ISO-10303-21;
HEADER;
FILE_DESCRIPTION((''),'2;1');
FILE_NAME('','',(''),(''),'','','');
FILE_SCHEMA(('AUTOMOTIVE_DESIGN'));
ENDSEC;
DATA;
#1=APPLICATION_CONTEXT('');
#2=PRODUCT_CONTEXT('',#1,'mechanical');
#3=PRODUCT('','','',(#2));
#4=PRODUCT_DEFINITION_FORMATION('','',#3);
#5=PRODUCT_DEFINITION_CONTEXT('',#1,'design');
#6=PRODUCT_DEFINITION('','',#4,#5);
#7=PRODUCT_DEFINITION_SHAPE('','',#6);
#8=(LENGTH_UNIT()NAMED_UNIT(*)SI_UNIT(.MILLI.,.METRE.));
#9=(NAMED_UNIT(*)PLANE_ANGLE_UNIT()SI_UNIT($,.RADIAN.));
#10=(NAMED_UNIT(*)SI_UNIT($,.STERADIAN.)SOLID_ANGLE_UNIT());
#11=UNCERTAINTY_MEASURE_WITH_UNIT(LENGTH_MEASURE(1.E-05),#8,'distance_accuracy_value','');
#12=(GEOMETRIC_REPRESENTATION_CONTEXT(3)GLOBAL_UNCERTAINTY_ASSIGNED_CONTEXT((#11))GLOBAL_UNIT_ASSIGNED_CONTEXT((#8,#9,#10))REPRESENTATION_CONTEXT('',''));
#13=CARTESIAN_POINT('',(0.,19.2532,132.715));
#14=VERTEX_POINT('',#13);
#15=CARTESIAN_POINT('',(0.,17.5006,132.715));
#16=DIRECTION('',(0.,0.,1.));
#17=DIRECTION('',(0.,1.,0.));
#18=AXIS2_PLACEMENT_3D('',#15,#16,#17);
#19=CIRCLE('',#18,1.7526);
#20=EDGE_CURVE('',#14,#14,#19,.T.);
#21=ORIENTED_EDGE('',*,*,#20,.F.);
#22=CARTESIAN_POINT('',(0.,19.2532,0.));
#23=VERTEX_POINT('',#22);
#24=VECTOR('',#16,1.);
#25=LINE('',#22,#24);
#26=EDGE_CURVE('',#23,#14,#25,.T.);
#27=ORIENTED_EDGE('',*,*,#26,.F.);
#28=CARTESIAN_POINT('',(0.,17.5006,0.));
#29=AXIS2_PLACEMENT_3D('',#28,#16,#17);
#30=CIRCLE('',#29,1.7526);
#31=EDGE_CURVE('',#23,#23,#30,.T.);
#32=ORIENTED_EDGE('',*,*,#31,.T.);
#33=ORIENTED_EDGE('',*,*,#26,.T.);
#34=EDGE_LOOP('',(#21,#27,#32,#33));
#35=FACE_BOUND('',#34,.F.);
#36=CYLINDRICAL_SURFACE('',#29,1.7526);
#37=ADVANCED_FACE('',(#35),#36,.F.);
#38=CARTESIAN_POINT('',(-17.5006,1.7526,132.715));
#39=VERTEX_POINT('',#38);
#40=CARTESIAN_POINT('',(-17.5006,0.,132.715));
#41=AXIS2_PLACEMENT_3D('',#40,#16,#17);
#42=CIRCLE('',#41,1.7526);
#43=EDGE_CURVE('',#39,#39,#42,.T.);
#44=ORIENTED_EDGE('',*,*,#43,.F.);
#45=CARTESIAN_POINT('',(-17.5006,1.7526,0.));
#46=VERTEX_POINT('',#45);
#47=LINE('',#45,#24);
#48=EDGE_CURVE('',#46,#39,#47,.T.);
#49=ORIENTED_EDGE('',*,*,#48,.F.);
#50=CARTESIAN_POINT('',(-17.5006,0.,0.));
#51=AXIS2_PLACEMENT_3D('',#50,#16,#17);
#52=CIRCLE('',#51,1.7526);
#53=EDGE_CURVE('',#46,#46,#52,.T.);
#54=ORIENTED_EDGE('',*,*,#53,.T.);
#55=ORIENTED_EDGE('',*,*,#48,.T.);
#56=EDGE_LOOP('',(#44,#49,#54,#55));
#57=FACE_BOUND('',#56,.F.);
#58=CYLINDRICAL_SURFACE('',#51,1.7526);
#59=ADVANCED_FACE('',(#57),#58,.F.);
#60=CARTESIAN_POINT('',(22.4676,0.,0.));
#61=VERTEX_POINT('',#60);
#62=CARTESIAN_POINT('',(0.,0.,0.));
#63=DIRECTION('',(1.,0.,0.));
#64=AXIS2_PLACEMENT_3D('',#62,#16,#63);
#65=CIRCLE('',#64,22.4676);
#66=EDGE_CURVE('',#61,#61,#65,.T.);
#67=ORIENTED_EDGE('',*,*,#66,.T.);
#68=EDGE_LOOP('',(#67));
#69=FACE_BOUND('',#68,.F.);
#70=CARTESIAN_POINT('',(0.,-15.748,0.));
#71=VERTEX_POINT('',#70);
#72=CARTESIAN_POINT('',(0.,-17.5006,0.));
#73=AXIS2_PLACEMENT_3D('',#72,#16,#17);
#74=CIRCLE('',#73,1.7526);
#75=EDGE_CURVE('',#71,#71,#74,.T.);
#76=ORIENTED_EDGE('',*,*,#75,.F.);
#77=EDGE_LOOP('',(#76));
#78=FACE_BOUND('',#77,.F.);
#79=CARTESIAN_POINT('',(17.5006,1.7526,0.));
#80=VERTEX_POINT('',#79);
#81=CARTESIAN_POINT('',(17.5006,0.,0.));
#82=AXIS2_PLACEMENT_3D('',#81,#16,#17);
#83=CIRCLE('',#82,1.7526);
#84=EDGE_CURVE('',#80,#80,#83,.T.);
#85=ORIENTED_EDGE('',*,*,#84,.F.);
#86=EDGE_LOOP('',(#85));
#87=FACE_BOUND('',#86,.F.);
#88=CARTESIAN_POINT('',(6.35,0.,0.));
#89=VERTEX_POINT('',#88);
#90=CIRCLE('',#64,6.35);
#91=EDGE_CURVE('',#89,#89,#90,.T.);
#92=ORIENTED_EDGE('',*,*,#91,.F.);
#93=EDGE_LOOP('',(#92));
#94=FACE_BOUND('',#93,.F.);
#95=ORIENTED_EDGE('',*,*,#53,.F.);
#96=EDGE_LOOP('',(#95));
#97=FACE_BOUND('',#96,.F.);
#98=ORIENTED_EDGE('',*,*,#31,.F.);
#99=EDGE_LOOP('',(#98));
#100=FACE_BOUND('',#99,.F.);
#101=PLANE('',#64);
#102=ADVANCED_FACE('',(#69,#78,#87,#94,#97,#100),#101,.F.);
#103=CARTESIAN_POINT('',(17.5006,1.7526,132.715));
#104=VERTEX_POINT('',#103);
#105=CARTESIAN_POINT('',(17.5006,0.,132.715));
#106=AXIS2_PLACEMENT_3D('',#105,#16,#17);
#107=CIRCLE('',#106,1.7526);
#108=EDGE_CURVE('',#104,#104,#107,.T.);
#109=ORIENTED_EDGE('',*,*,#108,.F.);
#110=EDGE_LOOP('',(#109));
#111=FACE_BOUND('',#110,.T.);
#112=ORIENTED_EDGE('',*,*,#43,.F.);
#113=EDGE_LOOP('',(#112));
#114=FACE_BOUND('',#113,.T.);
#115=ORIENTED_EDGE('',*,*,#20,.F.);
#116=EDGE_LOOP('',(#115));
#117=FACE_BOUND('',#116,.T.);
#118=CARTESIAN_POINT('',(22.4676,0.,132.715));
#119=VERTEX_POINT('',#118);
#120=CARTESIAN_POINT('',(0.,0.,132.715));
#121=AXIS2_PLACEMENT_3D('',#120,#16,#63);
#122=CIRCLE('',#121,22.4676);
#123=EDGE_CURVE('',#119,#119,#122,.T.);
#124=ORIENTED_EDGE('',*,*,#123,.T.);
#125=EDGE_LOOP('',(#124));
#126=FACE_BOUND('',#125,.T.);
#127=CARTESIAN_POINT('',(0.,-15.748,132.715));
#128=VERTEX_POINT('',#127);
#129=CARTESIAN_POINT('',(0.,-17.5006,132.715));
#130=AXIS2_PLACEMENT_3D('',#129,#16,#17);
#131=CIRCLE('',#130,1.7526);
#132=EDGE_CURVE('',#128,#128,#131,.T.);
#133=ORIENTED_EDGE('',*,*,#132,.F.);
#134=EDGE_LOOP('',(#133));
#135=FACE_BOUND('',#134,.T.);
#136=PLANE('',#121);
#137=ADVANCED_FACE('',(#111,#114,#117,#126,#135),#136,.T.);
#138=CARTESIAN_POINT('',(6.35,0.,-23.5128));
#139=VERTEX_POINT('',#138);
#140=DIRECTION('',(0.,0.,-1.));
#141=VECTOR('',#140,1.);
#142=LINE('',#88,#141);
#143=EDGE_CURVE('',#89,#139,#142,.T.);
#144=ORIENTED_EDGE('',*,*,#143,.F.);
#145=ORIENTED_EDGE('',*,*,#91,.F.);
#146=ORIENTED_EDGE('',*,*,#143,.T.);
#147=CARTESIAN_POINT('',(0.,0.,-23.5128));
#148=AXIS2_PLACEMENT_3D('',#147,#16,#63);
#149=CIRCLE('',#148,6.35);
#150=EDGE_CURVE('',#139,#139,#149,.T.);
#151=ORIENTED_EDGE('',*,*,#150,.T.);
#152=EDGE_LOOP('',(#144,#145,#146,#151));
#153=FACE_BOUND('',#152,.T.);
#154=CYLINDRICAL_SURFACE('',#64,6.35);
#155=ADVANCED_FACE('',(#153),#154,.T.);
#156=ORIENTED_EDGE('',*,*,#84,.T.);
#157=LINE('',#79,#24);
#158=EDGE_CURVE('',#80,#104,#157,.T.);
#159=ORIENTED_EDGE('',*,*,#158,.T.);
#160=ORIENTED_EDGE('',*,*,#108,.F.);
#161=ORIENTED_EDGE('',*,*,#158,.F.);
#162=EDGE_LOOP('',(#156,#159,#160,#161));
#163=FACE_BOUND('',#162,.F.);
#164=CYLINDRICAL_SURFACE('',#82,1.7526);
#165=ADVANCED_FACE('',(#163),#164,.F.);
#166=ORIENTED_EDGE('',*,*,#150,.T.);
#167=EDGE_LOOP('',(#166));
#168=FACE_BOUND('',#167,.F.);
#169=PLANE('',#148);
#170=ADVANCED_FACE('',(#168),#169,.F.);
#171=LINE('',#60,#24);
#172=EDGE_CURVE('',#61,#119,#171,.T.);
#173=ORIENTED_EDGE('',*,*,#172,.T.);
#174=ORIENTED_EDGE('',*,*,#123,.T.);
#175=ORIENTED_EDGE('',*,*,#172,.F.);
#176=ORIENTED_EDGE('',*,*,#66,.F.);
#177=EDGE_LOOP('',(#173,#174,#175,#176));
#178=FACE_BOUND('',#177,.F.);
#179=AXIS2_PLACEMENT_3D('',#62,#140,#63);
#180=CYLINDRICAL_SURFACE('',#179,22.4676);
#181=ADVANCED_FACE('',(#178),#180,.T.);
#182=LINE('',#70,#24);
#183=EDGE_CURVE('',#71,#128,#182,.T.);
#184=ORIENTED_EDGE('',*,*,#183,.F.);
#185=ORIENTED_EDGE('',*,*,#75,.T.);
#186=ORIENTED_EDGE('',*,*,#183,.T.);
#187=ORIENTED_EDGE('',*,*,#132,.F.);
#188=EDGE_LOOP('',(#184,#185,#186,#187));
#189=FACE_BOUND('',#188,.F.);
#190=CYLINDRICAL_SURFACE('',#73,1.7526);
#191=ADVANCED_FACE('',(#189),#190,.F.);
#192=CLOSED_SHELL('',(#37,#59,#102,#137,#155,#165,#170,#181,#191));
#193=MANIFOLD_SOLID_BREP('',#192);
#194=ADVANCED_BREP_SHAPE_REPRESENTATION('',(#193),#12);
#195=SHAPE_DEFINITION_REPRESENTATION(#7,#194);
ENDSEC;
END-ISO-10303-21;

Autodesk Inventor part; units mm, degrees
ref_plane "YZ Plane" through (0, 0, 0) normal (1, 0, 0) x (0, 1, 0)
ref_plane "XZ Plane" through (0, 0, 0) normal (0, 1, 0) x (-1, 0, 0)
ref_plane "XY Plane" through (0, 0, 0) normal (0, 0, 1) x (1, 0, 0)
sketch "Sketch1" plane through (0, 0, 0) normal (0, 0, 1) x (1, 0, 0)
  circle A0 centre (0, 0) radius 22.4676
  circle A1 centre (0, 0) radius 6.35
  point P0 (0, 17.5006)
  point P1 (-17.5006, 0)
  point P2 (0, -17.5006)
  point P3 (17.5006, 0)
  dimension "d0" = 44.9351
  dimension "d1" = 12.7
  dimension "d6" = 35.0012
  dimension "d7" = 17.5006
  dimension "d8" = 17.5006
  dimension "d9" = 17.5006
  dimension "d10" = 17.5006
extrude "Extrusion1" add sketch "Sketch1" along normal blind 132.715 contours A0 | A1
extrude "Extrusion2" add sketch "Sketch1" against normal blind 23.5128 contours A1
hole "Hole1" at (0, 17.5006, 0) at (-17.5006, 0, 0) at (0, -17.5006, 0) at (17.5006, 0, 0) direction (0, 0, 1) diameter 3.5052 end through all
thread "Thread1" size "6-32 UNC" class "2B" standard "ANSI Unified Screw Threads" full length
thread "Thread2" size "6-32 UNC" class "2B" standard "ANSI Unified Screw Threads" full length
thread "Thread3" size "6-32 UNC" class "2B" standard "ANSI Unified Screw Threads" full length
thread "Thread4" size "6-32 UNC" class "2B" standard "ANSI Unified Screw Threads" full length
